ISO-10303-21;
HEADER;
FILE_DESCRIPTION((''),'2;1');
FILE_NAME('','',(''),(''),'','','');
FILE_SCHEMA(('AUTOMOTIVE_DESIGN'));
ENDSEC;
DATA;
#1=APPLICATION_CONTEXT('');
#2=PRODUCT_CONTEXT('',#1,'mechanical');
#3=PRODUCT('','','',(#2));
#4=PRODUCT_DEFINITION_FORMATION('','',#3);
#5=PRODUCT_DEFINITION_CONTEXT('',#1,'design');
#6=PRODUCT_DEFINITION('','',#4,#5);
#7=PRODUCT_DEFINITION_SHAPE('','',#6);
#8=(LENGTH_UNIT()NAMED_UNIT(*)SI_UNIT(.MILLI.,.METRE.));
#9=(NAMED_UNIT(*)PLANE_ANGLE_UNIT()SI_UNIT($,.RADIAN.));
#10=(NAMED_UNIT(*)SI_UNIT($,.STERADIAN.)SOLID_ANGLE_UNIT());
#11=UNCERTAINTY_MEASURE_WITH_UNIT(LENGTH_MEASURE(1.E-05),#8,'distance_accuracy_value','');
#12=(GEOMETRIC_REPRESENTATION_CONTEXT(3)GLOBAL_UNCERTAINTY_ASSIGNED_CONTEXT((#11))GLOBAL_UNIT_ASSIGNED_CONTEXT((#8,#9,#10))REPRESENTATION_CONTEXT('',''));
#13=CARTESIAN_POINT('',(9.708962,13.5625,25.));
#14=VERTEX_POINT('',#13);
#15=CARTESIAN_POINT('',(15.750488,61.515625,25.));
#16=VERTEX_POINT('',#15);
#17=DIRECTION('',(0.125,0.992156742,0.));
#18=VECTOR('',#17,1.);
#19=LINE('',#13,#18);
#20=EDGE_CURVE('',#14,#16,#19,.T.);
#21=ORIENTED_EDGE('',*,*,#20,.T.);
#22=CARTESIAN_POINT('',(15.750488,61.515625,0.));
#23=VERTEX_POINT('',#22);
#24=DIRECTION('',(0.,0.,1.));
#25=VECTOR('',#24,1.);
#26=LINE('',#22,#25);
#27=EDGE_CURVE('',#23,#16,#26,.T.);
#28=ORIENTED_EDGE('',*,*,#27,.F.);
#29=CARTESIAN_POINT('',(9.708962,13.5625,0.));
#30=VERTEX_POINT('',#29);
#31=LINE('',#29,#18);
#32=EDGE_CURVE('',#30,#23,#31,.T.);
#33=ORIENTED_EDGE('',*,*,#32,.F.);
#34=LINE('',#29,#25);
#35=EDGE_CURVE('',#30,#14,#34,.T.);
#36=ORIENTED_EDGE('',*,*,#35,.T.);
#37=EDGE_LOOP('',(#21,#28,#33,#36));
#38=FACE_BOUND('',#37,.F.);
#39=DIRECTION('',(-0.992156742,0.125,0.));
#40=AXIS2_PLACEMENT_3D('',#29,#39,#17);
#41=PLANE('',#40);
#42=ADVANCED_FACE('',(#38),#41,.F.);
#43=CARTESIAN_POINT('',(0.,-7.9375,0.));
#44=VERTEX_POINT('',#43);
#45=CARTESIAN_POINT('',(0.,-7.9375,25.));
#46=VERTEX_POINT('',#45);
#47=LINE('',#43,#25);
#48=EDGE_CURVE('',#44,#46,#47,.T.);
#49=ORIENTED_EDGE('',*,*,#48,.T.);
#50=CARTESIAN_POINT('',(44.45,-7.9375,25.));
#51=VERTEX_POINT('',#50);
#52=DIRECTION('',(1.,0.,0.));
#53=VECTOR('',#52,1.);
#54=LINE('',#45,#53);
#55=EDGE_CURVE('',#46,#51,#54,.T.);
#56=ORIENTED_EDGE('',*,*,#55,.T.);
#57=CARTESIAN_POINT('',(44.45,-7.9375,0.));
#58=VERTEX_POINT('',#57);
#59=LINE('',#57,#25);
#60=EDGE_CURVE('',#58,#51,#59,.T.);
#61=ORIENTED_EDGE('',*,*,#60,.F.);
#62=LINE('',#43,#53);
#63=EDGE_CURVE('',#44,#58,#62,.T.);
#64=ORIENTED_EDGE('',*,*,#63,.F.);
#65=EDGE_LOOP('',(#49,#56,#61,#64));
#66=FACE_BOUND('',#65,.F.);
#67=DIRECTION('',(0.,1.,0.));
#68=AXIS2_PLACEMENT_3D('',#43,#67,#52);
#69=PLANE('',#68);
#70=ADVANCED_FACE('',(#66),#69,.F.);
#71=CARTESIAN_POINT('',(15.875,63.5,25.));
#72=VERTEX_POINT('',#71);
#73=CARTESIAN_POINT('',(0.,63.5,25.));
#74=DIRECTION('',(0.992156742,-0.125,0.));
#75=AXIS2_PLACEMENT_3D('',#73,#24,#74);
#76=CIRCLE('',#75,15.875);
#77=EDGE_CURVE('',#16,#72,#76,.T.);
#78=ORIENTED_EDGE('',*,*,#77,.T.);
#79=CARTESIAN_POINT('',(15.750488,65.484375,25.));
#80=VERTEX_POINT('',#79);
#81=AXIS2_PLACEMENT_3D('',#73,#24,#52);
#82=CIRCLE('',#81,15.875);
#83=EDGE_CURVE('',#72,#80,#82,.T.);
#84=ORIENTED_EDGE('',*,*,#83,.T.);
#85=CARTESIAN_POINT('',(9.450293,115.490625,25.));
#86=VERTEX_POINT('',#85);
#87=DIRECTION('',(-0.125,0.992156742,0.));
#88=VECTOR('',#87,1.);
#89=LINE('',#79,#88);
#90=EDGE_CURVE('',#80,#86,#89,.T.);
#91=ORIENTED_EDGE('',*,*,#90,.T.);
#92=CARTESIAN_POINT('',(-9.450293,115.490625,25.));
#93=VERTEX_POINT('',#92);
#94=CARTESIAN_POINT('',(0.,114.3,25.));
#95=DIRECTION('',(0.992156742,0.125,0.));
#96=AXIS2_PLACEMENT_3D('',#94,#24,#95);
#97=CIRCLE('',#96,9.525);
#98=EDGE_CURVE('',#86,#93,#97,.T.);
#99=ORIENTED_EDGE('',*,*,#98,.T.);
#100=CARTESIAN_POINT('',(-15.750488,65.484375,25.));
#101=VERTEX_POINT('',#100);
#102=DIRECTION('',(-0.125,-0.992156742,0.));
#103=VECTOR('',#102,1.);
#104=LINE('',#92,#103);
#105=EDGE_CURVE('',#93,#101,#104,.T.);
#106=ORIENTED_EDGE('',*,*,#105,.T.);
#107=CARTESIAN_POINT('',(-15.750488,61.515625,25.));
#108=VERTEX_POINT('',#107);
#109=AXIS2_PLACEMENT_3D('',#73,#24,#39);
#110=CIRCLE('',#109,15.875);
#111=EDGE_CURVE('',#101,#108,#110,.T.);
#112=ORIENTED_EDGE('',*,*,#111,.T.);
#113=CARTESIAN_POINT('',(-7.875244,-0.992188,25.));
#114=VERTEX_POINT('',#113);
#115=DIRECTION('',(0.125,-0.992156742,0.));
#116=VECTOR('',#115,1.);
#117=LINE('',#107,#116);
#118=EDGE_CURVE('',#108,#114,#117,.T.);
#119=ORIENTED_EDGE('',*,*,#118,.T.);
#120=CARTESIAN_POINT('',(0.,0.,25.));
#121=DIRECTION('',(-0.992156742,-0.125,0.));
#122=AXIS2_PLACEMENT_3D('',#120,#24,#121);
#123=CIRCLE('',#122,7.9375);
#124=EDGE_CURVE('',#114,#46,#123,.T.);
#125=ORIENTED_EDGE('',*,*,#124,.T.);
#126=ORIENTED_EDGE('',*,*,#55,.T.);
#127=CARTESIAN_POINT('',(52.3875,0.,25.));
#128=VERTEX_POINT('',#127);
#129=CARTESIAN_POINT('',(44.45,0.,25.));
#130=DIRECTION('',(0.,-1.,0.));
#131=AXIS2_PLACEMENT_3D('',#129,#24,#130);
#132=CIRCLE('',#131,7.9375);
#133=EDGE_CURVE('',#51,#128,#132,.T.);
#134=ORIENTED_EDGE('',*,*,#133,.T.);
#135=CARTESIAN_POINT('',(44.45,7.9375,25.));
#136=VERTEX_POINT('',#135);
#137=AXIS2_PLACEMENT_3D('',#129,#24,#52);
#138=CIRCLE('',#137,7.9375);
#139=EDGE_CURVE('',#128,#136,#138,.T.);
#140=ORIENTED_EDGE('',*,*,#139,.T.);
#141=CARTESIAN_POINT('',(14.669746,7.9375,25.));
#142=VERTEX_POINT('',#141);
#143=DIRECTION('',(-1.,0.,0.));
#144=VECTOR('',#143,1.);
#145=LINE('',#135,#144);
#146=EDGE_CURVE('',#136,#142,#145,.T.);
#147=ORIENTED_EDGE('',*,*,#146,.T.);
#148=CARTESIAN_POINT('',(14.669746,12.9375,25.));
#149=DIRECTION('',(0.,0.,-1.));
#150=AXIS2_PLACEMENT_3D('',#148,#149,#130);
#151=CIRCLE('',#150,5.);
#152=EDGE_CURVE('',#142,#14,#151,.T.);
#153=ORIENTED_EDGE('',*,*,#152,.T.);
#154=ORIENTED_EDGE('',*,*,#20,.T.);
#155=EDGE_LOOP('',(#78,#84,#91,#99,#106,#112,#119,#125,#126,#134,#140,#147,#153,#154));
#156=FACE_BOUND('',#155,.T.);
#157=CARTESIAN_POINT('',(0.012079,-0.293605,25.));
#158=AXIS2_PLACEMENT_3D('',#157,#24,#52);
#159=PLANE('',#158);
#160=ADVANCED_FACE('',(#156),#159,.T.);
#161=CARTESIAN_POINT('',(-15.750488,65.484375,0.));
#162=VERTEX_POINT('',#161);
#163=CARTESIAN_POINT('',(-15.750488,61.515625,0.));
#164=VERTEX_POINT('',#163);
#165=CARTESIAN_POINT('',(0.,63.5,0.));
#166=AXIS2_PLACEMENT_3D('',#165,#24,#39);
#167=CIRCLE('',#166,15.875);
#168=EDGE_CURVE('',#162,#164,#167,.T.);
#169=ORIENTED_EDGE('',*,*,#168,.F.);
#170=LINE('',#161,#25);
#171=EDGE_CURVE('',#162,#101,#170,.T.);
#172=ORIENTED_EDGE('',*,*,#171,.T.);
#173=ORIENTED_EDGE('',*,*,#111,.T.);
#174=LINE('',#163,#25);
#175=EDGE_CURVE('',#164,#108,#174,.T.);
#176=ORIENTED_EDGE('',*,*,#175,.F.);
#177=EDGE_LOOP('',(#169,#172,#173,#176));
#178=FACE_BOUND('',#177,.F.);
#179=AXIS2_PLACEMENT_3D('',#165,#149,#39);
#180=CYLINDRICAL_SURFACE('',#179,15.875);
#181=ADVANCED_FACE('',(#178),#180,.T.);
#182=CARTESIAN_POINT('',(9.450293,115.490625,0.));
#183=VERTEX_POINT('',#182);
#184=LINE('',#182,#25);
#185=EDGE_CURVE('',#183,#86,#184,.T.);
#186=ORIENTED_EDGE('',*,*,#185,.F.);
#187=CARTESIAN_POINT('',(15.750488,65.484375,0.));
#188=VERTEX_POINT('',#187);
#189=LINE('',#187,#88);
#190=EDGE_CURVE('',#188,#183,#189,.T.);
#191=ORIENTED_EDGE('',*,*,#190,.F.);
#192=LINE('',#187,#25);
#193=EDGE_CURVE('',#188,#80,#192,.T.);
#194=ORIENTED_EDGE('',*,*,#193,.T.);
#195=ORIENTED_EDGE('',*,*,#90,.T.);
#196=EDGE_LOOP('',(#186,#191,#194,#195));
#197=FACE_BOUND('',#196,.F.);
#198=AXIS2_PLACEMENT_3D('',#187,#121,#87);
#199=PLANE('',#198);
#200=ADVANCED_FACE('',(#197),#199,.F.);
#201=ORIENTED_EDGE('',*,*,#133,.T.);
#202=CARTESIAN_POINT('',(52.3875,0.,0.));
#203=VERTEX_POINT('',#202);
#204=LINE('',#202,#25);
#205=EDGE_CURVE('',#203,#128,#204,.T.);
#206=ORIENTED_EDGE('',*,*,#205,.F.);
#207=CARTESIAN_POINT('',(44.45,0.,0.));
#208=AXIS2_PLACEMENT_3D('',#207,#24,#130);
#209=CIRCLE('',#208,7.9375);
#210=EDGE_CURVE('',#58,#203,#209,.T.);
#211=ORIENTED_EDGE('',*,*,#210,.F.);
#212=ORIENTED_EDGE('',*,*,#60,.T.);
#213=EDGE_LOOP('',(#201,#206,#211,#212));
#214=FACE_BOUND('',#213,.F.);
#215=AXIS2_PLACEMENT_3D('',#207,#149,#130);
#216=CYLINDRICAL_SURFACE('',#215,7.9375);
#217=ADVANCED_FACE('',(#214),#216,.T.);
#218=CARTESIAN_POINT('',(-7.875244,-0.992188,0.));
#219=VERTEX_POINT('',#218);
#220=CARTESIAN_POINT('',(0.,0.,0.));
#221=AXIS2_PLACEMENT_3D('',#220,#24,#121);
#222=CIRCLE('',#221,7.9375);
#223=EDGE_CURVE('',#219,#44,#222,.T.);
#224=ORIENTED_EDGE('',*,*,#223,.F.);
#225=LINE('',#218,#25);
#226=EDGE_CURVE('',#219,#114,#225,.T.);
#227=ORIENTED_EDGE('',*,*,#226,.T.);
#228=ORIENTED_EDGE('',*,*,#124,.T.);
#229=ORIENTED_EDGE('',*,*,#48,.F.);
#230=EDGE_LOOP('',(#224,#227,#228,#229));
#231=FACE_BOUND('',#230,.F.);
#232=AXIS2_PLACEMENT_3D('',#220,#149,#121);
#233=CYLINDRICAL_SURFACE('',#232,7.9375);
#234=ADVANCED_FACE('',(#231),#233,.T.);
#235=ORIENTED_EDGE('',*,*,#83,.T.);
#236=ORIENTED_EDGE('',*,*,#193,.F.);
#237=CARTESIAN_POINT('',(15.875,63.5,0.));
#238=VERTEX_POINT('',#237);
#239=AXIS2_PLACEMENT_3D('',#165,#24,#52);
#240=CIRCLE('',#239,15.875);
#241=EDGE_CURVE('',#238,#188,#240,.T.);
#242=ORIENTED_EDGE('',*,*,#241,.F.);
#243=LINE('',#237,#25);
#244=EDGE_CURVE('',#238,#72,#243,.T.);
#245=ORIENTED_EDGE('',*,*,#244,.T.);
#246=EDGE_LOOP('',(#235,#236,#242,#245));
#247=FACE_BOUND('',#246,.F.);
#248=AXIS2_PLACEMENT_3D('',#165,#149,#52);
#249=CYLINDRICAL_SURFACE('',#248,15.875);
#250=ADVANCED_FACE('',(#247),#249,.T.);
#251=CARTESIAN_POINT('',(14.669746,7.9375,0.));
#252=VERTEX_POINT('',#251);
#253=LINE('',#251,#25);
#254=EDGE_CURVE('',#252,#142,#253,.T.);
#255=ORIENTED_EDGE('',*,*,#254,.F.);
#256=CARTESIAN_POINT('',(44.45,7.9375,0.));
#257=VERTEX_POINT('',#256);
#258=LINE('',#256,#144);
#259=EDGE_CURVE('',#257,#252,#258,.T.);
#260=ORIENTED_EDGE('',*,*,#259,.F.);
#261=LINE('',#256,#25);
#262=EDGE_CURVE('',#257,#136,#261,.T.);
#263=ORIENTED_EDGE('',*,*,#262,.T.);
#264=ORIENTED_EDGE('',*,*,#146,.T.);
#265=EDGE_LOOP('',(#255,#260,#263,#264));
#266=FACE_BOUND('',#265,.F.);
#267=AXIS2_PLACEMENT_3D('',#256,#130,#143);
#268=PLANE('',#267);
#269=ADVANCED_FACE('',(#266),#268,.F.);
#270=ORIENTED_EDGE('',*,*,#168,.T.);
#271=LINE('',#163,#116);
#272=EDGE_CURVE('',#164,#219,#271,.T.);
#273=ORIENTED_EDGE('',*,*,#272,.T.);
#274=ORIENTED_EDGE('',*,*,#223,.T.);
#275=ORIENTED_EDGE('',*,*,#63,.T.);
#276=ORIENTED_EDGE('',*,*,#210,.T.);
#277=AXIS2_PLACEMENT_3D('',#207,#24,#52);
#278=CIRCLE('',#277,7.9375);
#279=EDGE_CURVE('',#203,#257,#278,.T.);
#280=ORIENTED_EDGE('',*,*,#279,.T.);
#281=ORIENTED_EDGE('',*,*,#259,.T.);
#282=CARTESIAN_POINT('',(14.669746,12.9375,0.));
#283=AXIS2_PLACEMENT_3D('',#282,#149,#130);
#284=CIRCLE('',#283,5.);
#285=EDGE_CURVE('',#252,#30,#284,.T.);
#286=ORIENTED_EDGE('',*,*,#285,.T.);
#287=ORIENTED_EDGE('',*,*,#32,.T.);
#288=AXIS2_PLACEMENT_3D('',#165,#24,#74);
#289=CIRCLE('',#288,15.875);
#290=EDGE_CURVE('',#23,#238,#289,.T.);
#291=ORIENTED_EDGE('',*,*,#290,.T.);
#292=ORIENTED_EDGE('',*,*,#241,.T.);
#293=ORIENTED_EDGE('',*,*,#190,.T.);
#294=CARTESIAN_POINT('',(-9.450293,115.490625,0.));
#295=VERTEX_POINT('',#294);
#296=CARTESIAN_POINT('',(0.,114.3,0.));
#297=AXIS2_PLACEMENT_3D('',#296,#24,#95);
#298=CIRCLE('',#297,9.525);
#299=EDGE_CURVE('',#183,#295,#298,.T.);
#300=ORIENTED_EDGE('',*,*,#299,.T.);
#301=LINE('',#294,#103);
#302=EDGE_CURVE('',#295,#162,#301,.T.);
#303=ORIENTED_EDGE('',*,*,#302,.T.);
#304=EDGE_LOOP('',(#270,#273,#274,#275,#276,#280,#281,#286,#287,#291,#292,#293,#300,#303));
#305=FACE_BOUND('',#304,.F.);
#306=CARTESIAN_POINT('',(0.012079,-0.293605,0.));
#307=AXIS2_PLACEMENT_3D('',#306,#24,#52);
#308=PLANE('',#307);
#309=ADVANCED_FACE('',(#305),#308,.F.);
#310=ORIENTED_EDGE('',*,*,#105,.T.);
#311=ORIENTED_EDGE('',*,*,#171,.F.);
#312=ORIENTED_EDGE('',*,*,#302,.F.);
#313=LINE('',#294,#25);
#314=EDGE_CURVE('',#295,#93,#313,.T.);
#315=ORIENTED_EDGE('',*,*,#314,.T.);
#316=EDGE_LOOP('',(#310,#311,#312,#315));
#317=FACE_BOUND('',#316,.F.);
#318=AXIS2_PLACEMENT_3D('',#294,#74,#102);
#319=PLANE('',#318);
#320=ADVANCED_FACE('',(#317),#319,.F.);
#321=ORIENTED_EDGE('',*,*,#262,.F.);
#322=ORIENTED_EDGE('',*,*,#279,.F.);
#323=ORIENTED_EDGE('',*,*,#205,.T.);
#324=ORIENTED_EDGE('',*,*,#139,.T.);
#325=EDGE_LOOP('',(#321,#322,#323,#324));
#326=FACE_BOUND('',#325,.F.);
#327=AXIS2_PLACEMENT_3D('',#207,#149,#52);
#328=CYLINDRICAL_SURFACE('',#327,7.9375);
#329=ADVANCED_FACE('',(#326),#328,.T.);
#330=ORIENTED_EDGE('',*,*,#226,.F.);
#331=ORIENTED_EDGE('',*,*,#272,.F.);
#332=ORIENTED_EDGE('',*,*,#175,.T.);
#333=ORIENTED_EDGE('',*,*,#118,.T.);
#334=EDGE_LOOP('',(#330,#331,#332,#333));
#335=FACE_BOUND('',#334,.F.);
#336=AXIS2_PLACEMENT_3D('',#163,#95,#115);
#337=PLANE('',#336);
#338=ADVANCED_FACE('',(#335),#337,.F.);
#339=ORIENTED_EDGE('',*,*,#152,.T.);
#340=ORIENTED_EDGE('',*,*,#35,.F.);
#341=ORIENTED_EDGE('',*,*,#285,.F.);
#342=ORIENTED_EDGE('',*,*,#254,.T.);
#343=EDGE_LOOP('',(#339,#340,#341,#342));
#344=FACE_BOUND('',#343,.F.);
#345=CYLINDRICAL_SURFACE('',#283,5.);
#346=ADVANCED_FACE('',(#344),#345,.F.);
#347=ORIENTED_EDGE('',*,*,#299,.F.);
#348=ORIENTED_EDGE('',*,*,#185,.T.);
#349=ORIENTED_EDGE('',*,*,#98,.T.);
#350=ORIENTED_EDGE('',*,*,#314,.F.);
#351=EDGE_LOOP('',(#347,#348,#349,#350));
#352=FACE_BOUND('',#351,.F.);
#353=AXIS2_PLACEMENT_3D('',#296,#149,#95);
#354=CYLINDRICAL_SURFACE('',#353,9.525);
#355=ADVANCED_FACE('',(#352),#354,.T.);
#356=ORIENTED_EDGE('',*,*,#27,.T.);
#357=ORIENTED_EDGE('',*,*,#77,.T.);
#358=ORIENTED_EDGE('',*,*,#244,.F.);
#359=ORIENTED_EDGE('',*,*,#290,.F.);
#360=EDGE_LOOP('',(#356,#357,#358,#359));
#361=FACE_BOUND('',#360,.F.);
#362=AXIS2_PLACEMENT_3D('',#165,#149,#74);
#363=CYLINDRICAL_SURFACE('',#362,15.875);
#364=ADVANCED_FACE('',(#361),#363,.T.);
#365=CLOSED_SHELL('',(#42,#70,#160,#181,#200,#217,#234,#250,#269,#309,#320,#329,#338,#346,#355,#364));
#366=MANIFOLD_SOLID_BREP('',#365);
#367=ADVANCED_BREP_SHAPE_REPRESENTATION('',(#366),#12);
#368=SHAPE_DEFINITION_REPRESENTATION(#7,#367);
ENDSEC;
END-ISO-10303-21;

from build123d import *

# Parameters (mm, degrees)
F1_DEPTH = 25


with BuildPart() as f1:
    # F0 (on Top) → F1 (new body)
    with BuildSketch(Plane.XY):
        with BuildLine():
            ThreePointArc((0, -7.9375), (5.6126600757, -5.6126600757), (7.9375, 0))
            ThreePointArc((7.9375, 0), (-0.4970693683, 7.9219207452), (-7.8752441368, -0.9921875))
            ThreePointArc((-7.8752441368, -0.9921875), (-5.2501627579, -5.953125), (0, -7.9375))
        make_face()
        with BuildLine():
            ThreePointArc((44.45, 7.9375), (36.5125, 0), (44.45, -7.9375))
            ThreePointArc((44.45, -7.9375), (50.0626600757, -5.6126600757), (52.3875, 0))
            ThreePointArc((52.3875, 0), (50.0626600757, 5.6126600757), (44.45, 7.9375))
        make_face()
        with BuildLine():
            ThreePointArc((-15.7504882737, 65.484375), (-15.875, 63.5), (-15.7504882737, 61.515625))
            ThreePointArc((-15.7504882737, 61.515625), (0, 47.625), (15.7504882737, 61.515625))
            ThreePointArc((15.7504882737, 61.515625), (15.8438414904, 62.5058612634), (15.875, 63.5))
            ThreePointArc((15.875, 63.5), (15.8438414904, 64.4941387366), (15.7504882737, 65.484375))
            ThreePointArc((15.7504882737, 65.484375), (0, 79.375), (-15.7504882737, 65.484375))
        make_face()
        with BuildLine():
            ThreePointArc((-7.8752441368, -0.9921875), (-0.4970693683, 7.9219207452), (7.9375, 0))
            ThreePointArc((7.9375, 0), (5.6126600757, -5.6126600757), (0, -7.9375))
            Line((0, -7.9375), (44.45, -7.9375))
            ThreePointArc((44.45, -7.9375), (36.5125, 0), (44.45, 7.9375))
            Line((44.45, 7.9375), (14.6697461087, 7.9375))
            ThreePointArc((14.6697461087, 7.9375), (10.9197461087, 9.6303108612), (9.7089624004, 13.5625))
            Line((9.7089624004, 13.5625), (15.7504882737, 61.515625))
            ThreePointArc((15.7504882737, 61.515625), (0, 47.625), (-15.7504882737, 61.515625))
            Line((-15.7504882737, 61.515625), (-7.8752441368, -0.9921875))
        make_face()
        with BuildLine():
            Line((-9.4502929642, 115.490625), (-15.7504882737, 65.484375))
            ThreePointArc((-15.7504882737, 65.484375), (0, 79.375), (15.7504882737, 65.484375))
            Line((15.7504882737, 65.484375), (9.4502929642, 115.490625))
            ThreePointArc((9.4502929642, 115.490625), (9.5063048942, 114.896483242), (9.525, 114.3))
            ThreePointArc((9.525, 114.3), (-0.596483242, 104.7936951058), (-9.4502929642, 115.490625))
        make_face()
        with BuildLine():
            ThreePointArc((9.4502929642, 115.490625), (0, 123.825), (-9.4502929642, 115.490625))
            ThreePointArc((-9.4502929642, 115.490625), (-0.596483242, 104.7936951058), (9.525, 114.3))
            ThreePointArc((9.525, 114.3), (9.5063048942, 114.896483242), (9.4502929642, 115.490625))
        make_face()
    extrude(amount=F1_DEPTH)


solid = f1.part
